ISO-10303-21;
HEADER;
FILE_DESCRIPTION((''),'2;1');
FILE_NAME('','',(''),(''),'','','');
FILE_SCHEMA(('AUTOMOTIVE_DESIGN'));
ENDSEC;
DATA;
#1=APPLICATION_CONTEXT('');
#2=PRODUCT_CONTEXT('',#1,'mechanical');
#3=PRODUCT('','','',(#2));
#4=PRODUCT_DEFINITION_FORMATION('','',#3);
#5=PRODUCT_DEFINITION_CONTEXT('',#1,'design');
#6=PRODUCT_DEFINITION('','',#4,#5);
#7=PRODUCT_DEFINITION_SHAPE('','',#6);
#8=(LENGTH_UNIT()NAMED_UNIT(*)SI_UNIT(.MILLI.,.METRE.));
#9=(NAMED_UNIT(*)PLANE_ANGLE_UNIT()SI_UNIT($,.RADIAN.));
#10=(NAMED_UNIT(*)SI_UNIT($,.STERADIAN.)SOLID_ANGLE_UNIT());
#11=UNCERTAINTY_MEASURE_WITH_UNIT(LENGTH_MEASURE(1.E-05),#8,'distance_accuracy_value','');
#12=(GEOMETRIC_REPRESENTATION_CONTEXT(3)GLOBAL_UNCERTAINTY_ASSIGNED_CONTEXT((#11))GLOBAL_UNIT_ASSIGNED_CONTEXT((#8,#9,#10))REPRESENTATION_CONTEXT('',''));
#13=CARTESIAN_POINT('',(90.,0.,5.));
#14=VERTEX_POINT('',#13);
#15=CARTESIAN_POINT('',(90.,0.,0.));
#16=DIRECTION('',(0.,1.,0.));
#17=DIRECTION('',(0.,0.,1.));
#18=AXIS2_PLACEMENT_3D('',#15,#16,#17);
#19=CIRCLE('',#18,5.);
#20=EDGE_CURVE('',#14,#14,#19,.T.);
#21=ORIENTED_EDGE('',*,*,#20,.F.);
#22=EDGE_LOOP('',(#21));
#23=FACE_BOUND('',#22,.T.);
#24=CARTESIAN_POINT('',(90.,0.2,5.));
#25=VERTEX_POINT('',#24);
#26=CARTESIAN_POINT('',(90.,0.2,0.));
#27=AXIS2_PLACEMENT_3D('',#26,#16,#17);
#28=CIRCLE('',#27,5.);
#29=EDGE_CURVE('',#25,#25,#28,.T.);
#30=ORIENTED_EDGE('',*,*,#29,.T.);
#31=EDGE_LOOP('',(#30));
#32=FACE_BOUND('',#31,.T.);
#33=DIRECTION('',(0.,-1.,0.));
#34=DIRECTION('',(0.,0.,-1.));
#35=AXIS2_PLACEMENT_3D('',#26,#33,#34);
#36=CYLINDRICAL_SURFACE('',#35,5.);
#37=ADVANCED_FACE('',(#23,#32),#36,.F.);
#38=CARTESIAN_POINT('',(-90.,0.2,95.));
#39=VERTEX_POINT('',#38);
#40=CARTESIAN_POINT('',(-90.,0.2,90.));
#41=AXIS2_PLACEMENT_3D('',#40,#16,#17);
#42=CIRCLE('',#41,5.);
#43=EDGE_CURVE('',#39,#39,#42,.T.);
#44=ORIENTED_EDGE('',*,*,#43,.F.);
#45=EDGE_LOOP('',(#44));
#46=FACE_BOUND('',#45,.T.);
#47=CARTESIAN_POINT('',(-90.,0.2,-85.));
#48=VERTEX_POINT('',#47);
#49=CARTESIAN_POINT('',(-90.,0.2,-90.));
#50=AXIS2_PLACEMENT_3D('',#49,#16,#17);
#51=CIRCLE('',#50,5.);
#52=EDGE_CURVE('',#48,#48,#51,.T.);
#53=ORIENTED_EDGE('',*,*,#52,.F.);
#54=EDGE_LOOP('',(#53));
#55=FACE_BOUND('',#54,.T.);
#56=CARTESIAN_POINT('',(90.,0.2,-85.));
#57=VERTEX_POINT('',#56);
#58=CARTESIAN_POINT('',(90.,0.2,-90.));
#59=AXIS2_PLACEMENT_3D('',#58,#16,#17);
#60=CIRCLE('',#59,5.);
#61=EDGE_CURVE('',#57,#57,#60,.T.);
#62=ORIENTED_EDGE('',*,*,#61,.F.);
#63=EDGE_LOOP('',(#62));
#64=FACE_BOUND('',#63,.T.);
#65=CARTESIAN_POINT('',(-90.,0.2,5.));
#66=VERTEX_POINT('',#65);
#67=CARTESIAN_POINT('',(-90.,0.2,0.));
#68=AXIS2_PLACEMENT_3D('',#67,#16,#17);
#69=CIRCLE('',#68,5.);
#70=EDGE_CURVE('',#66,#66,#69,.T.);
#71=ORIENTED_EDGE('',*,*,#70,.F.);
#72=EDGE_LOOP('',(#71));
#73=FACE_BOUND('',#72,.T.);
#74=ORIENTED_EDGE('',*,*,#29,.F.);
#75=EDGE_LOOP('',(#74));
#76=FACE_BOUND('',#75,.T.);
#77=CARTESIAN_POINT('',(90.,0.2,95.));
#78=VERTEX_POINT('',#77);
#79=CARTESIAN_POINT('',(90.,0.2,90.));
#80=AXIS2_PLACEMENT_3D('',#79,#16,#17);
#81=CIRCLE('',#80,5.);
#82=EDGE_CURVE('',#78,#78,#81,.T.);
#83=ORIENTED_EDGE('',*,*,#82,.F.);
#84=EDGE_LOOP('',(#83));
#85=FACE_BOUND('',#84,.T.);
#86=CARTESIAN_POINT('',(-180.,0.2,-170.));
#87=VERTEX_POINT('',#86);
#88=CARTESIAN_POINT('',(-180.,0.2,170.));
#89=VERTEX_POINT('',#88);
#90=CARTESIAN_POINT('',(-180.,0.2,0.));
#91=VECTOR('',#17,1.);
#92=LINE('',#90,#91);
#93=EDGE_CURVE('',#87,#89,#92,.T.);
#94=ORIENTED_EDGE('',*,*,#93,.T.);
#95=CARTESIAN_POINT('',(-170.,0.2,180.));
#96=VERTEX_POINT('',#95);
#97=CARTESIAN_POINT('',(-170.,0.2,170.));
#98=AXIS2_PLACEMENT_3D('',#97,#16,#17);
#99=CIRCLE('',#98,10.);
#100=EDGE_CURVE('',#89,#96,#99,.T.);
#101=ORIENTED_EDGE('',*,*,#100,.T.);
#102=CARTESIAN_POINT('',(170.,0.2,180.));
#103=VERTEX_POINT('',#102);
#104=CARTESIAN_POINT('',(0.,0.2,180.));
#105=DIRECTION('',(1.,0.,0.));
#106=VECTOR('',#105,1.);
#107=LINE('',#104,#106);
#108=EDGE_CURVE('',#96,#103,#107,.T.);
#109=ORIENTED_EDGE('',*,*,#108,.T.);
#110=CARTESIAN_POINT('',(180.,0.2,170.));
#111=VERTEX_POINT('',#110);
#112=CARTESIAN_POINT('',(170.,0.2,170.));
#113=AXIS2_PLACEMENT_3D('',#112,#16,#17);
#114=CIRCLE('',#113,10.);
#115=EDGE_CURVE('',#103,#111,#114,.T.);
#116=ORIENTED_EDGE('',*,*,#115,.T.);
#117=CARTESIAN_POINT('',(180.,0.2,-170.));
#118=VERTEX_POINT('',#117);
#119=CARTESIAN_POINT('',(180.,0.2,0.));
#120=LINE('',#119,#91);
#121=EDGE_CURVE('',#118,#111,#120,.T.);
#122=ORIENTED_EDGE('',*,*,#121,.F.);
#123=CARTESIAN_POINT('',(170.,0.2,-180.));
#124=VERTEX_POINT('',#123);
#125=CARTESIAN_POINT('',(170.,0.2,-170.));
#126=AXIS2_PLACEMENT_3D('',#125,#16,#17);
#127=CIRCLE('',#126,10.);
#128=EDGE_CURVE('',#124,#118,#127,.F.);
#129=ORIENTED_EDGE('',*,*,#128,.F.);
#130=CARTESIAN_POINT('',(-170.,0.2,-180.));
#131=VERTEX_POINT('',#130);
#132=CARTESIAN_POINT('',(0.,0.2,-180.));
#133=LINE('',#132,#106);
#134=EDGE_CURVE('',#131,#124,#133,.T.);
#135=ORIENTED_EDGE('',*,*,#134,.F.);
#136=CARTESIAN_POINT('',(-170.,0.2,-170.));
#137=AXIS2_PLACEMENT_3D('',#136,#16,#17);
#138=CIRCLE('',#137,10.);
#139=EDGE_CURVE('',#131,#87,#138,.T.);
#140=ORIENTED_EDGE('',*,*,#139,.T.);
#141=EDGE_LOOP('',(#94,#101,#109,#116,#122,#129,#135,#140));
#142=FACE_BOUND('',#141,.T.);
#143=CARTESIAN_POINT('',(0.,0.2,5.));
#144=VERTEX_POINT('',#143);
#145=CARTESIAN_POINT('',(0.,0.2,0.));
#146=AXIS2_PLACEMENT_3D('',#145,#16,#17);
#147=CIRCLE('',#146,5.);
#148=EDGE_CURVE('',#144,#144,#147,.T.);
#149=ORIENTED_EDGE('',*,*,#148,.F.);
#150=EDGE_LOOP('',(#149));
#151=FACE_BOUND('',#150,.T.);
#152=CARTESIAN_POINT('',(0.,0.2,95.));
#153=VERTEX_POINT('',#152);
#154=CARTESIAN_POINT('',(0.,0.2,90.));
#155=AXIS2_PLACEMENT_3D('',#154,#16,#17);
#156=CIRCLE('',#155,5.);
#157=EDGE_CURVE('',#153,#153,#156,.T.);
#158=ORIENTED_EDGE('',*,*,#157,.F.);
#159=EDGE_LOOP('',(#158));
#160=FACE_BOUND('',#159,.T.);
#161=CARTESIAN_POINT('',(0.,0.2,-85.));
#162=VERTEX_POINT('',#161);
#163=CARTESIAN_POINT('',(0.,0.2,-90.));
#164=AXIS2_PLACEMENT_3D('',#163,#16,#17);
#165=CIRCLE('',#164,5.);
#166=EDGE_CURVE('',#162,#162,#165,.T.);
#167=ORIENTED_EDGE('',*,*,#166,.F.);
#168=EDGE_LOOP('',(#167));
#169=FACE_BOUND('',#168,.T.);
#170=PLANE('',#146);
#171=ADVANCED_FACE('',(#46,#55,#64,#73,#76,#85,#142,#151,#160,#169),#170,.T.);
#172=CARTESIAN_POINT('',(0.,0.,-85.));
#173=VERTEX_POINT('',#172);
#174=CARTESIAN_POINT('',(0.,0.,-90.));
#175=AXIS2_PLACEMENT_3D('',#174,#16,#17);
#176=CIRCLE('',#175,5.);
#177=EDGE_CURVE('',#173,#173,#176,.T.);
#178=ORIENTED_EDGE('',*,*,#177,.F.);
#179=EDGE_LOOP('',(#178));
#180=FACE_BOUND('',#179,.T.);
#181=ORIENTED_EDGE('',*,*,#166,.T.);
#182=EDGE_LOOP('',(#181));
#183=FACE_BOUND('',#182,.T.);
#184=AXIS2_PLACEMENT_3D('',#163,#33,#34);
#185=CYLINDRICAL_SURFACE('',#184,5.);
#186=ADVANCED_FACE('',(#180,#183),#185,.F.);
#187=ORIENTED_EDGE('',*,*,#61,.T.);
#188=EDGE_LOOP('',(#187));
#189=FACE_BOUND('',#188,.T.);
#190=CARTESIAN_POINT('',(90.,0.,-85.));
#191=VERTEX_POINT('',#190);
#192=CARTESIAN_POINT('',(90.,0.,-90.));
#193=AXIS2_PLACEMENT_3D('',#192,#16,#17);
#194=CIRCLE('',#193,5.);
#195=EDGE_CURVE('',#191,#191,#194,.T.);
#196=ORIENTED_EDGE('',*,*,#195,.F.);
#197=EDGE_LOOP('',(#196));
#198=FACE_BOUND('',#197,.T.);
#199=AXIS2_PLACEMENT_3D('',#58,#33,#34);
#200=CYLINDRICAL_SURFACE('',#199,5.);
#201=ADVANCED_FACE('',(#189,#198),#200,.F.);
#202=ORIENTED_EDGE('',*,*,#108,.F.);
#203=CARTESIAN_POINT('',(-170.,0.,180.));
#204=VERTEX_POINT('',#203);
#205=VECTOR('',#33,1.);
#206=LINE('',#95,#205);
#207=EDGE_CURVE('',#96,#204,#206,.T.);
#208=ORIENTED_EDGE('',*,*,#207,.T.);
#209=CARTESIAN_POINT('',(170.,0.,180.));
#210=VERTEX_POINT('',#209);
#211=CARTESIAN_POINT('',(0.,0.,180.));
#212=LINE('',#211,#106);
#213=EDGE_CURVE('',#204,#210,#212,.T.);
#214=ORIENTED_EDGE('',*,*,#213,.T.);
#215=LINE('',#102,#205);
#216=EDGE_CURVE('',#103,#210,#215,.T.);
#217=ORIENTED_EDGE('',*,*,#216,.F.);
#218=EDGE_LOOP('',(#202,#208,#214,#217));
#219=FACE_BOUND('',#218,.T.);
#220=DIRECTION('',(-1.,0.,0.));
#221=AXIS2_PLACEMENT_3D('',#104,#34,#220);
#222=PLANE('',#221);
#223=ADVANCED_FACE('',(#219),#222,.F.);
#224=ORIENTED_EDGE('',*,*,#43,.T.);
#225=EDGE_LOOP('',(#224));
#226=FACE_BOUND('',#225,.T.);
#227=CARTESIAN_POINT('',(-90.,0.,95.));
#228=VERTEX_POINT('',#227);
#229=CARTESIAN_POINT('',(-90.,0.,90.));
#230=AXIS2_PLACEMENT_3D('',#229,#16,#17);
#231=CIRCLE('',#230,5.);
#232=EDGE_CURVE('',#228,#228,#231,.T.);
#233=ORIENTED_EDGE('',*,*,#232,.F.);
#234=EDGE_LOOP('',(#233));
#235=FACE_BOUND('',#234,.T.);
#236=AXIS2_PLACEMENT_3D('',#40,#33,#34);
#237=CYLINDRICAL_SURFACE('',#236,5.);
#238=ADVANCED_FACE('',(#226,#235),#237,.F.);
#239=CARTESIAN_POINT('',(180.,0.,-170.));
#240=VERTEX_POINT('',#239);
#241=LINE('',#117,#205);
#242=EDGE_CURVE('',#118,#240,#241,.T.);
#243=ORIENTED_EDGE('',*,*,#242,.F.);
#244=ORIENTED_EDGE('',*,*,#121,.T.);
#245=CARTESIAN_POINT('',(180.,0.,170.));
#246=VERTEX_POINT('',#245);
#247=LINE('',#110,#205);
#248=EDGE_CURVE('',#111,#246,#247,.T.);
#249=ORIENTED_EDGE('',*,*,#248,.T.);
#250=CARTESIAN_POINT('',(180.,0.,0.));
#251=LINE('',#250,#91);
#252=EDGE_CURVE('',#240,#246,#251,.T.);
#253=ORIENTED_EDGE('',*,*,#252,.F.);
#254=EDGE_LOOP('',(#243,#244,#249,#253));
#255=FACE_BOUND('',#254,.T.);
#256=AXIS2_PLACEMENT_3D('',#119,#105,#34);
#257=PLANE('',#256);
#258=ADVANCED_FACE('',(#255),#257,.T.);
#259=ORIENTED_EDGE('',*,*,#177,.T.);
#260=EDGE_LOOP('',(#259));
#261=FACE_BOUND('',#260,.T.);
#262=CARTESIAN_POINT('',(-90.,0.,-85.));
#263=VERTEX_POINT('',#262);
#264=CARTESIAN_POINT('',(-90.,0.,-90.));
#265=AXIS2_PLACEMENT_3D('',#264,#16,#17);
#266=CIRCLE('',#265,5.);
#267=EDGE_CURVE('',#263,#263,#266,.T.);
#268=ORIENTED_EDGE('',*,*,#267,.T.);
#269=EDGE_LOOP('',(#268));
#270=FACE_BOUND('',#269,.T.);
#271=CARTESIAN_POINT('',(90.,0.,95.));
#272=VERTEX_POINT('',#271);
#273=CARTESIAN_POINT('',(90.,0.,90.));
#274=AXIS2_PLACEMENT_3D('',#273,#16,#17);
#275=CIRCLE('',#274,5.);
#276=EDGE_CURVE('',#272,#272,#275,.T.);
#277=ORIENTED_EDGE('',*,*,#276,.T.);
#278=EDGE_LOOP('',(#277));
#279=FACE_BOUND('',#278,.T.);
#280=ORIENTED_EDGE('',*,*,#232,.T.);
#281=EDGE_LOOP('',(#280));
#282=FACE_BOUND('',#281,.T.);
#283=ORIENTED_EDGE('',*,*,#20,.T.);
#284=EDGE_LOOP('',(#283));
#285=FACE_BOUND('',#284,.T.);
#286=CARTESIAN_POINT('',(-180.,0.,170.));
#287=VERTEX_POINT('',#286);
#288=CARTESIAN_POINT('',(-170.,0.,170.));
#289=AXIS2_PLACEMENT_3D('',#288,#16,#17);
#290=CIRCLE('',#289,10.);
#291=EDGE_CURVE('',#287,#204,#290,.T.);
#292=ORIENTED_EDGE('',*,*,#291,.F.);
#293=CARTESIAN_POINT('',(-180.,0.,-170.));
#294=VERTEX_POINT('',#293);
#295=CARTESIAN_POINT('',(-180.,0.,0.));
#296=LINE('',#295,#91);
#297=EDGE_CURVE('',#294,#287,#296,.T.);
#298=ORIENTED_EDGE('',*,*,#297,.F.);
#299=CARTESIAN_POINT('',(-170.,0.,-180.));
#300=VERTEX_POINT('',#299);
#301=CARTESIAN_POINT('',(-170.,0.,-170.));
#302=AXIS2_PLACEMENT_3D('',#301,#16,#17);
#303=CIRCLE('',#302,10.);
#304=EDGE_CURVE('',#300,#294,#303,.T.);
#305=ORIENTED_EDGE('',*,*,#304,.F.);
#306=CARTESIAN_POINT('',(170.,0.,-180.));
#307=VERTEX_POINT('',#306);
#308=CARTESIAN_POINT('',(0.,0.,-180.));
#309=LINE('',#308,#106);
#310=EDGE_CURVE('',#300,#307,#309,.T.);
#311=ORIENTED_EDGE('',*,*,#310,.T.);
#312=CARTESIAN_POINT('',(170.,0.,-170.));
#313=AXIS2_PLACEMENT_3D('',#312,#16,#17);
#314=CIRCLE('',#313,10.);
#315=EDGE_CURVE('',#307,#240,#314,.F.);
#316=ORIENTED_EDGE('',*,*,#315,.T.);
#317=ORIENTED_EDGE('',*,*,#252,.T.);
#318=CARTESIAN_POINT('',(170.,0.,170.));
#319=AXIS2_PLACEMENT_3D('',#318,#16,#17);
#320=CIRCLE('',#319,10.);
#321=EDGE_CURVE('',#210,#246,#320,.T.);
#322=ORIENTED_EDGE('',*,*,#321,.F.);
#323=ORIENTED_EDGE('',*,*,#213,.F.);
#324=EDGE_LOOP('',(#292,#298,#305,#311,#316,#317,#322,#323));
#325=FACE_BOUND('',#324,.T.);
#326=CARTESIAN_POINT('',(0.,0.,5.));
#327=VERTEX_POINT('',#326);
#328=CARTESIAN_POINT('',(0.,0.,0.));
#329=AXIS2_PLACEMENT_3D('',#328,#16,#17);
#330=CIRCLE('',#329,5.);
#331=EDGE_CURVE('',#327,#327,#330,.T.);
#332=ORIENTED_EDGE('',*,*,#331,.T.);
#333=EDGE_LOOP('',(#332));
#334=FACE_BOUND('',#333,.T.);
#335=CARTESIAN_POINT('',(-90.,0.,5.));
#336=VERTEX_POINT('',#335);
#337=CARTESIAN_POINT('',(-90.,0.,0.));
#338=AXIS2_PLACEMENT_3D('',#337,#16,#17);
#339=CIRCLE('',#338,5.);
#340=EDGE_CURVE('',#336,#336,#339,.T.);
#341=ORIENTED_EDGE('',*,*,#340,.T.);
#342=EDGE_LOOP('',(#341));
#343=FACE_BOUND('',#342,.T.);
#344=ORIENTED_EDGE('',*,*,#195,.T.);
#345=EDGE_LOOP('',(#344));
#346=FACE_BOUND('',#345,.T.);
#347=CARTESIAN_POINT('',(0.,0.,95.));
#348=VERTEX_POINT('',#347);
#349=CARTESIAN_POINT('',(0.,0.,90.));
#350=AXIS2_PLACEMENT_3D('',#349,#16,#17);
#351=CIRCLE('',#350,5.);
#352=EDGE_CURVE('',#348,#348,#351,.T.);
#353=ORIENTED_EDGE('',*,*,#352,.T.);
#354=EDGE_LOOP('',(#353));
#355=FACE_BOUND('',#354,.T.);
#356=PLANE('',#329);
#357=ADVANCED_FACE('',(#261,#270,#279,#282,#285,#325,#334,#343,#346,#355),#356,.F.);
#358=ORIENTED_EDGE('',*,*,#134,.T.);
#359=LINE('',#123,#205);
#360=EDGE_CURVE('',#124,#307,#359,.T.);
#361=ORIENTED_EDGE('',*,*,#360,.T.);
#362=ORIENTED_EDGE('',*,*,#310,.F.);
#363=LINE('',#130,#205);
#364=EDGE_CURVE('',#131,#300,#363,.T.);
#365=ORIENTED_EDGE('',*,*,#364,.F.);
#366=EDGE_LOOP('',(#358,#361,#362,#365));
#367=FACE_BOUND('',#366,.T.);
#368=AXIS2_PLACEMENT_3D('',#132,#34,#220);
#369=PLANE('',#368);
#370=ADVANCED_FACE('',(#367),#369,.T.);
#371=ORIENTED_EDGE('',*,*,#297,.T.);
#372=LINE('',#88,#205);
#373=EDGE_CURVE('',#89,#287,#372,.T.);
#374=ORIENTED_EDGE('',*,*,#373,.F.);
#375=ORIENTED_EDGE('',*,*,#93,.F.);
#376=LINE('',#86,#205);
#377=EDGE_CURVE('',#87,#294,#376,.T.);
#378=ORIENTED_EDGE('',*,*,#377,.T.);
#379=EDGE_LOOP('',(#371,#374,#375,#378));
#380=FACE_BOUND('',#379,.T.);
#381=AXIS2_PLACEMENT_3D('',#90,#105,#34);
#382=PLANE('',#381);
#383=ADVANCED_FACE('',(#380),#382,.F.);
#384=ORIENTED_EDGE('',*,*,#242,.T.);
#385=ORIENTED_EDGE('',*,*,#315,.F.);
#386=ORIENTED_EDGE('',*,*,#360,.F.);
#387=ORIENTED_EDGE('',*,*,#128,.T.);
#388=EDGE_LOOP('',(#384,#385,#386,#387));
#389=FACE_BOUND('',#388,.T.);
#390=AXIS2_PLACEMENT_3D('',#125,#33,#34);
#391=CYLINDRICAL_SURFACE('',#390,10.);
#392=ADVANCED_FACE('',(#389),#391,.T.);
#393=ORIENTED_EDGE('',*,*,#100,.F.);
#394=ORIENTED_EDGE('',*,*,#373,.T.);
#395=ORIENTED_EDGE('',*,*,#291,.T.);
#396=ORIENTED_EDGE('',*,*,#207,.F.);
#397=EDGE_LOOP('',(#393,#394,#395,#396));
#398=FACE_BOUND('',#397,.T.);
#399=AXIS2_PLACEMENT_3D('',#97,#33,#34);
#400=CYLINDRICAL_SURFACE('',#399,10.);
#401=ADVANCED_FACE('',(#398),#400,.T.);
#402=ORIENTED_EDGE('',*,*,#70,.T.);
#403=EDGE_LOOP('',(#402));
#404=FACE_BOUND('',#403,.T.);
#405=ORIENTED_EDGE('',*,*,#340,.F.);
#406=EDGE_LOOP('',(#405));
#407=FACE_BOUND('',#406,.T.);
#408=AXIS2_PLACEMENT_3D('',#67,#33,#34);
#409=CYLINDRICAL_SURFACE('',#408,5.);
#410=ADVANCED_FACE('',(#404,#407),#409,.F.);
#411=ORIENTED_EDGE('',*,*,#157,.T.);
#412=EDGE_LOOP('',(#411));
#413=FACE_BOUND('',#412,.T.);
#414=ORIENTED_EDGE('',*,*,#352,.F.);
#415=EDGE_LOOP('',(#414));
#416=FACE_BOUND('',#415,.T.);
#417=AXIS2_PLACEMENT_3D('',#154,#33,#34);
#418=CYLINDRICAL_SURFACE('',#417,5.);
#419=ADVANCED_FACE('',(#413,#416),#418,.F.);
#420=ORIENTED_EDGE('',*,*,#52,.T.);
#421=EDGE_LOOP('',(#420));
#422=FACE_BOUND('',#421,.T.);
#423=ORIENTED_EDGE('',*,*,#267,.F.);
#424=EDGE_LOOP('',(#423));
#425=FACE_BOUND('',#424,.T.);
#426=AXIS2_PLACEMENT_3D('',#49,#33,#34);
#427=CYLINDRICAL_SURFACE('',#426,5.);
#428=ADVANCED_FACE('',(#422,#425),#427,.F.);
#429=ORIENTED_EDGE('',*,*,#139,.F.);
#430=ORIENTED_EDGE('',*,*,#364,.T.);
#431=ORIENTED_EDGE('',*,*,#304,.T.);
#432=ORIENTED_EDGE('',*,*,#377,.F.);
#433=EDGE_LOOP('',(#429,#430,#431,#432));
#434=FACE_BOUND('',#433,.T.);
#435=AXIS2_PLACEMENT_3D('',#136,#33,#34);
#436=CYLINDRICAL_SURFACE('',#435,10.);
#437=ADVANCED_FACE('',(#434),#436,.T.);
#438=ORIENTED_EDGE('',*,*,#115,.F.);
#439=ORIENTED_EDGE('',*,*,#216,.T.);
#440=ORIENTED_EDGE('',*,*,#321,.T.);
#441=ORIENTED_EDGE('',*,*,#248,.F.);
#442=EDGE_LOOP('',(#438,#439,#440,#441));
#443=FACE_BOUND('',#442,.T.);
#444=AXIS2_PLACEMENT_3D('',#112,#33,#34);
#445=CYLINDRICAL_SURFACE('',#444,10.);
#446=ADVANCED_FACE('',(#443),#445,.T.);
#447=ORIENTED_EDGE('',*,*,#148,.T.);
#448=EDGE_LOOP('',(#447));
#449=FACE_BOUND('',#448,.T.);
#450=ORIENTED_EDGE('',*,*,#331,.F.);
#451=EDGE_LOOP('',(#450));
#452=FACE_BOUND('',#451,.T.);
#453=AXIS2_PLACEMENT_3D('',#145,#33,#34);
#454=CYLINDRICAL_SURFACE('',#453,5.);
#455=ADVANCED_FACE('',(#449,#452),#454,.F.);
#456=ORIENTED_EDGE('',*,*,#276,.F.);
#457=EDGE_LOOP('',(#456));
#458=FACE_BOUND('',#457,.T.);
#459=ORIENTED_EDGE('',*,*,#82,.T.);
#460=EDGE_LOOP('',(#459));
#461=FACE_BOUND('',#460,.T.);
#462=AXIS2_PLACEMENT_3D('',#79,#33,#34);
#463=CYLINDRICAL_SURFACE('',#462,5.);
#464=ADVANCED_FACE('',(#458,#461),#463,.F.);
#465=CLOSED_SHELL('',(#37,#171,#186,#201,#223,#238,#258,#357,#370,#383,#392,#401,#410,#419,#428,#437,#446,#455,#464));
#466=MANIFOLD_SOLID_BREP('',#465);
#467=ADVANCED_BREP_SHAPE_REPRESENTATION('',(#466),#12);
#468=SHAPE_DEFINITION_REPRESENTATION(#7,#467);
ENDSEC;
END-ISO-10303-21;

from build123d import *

# Parameters (mm, degrees)
BOSS_EXTRUDE1_DEPTH = 0.2


with BuildPart() as part:
    # Sketch1 → Boss-Extrude1 (new body)
    with BuildSketch(Plane(origin=(0, 0, 0), x_dir=(1, 0, 0), z_dir=(0, 1, 0))):
        with BuildLine():
            Line((-90, 95), (-90, 180))
            Line((-90, 180), (-170, 180))
            ThreePointArc((-170, 180), (-177.071067812, 177.071067812), (-180, 170))
            Line((-180, 170), (-180, 90))
            Line((-180, 90), (-95, 90))
            ThreePointArc((-95, 90), (-93.535533906, 93.535533906), (-90, 95))
        make_face()
        with BuildLine():
            Line((0, 180), (-90, 180))
            Line((-90, 180), (-90, 95))
            ThreePointArc((-90, 95), (-86.464466094, 93.535533906), (-85, 90))
            Line((-85, 90), (-5, 90))
            ThreePointArc((-5, 90), (-3.535533906, 93.535533906), (0, 95))
            Line((0, 95), (0, 180))
        make_face()
        with BuildLine():
            Line((-5, 90), (-85, 90))
            ThreePointArc((-85, 90), (-86.464466094, 86.464466094), (-90, 85))
            Line((-90, 85), (-90, 5))
            ThreePointArc((-90, 5), (-86.464466094, 3.535533906), (-85, 0))
            Line((-85, 0), (-5, 0))
            ThreePointArc((-5, 0), (-3.535533906, 3.535533906), (0, 5))
            Line((0, 5), (0, 85))
            ThreePointArc((0, 85), (-3.535533906, 86.464466094), (-5, 90))
        make_face()
        with BuildLine():
            ThreePointArc((-90, 85), (-93.535533906, 86.464466094), (-95, 90))
            Line((-95, 90), (-180, 90))
            Line((-180, 90), (-180, 0))
            Line((-180, 0), (-95, 0))
            ThreePointArc((-95, 0), (-93.535533906, 3.535533906), (-90, 5))
            Line((-90, 5), (-90, 85))
        make_face()
        with BuildLine():
            Line((-95, 0), (-180, 0))
            Line((-180, 0), (-180, -90))
            Line((-180, -90), (-95, -90))
            ThreePointArc((-95, -90), (-93.535533906, -86.464466094), (-90, -85))
            Line((-90, -85), (-90, -5))
            ThreePointArc((-90, -5), (-93.535533906, -3.535533906), (-95, 0))
        make_face()
        with BuildLine():
            Line((-95, -90), (-180, -90))
            Line((-180, -90), (-180, -170))
            ThreePointArc((-180, -170), (-177.071067812, -177.071067812), (-170, -180))
            Line((-170, -180), (-90, -180))
            Line((-90, -180), (-90, -95))
            ThreePointArc((-90, -95), (-93.535533906, -93.535533906), (-95, -90))
        make_face()
        with BuildLine():
            ThreePointArc((-85, -90), (-86.464466094, -93.535533906), (-90, -95))
            Line((-90, -95), (-90, -180))
            Line((-90, -180), (0, -180))
            Line((0, -180), (0, -95))
            ThreePointArc((0, -95), (-3.535533906, -93.535533906), (-5, -90))
            Line((-5, -90), (-85, -90))
        make_face()
        with BuildLine():
            Line((-5, 0), (-85, 0))
            ThreePointArc((-85, 0), (-86.464466094, -3.535533906), (-90, -5))
            Line((-90, -5), (-90, -85))
            ThreePointArc((-90, -85), (-86.464466094, -86.464466094), (-85, -90))
            Line((-85, -90), (-5, -90))
            ThreePointArc((-5, -90), (-3.535533906, -86.464466094), (0, -85))
            Line((0, -85), (0, -5))
            ThreePointArc((0, -5), (-3.535533906, -3.535533906), (-5, 0))
        make_face()
        with BuildLine():
            Line((85, 0), (5, 0))
            ThreePointArc((5, 0), (3.535533906, -3.535533906), (0, -5))
            Line((0, -5), (0, -85))
            ThreePointArc((0, -85), (3.535533906, -86.464466094), (5, -90))
            Line((5, -90), (85, -90))
            ThreePointArc((85, -90), (86.464466094, -86.464466094), (90, -85))
            Line((90, -85), (90, -5))
            ThreePointArc((90, -5), (86.464466094, -3.535533906), (85, 0))
        make_face()
        with BuildLine():
            Line((85, -90), (5, -90))
            ThreePointArc((5, -90), (3.535533906, -93.535533906), (0, -95))
            Line((0, -95), (0, -180))
            Line((0, -180), (90, -180))
            Line((90, -180), (90, -95))
            ThreePointArc((90, -95), (86.464466094, -93.535533906), (85, -90))
        make_face()
        with BuildLine():
            Line((180, -170), (180, -90))
            Line((180, -90), (95, -90))
            ThreePointArc((95, -90), (93.535533906, -93.535533906), (90, -95))
            Line((90, -95), (90, -180))
            Line((90, -180), (170, -180))
            ThreePointArc((170, -180), (177.071067812, -177.071067812), (180, -170))
        make_face()
        with BuildLine():
            Line((180, -90), (180, 0))
            Line((180, 0), (95, 0))
            ThreePointArc((95, 0), (93.535533906, -3.535533906), (90, -5))
            Line((90, -5), (90, -85))
            ThreePointArc((90, -85), (93.535533906, -86.464466094), (95, -90))
            Line((95, -90), (180, -90))
        make_face()
        with BuildLine():
            Line((85, 90), (5, 90))
            ThreePointArc((5, 90), (3.535533906, 86.464466094), (0, 85))
            Line((0, 85), (0, 5))
            ThreePointArc((0, 5), (3.535533906, 3.535533906), (5, 0))
            Line((5, 0), (85, 0))
            ThreePointArc((85, 0), (86.464466094, 3.535533906), (90, 5))
            Line((90, 5), (90, 85))
            ThreePointArc((90, 85), (86.464466094, 86.464466094), (85, 90))
        make_face()
        with BuildLine():
            Line((180, 90), (95, 90))
            ThreePointArc((95, 90), (93.535533906, 86.464466094), (90, 85))
            Line((90, 85), (90, 5))
            ThreePointArc((90, 5), (93.535533906, 3.535533906), (95, 0))
            Line((95, 0), (180, 0))
            Line((180, 0), (180, 90))
        make_face()
        with BuildLine():
            Line((170, 180), (90, 180))
            Line((90, 180), (90, 95))
            ThreePointArc((90, 95), (93.535533906, 93.535533906), (95, 90))
            Line((95, 90), (180, 90))
            Line((180, 90), (180, 170))
            ThreePointArc((180, 170), (177.071067812, 177.071067812), (170, 180))
        make_face()
        with BuildLine():
            Line((90, 180), (0, 180))
            Line((0, 180), (0, 95))
            ThreePointArc((0, 95), (3.535533906, 93.535533906), (5, 90))
            Line((5, 90), (85, 90))
            ThreePointArc((85, 90), (86.464466094, 93.535533906), (90, 95))
            Line((90, 95), (90, 180))
        make_face()
    extrude(amount=BOSS_EXTRUDE1_DEPTH)


solid = part.part
